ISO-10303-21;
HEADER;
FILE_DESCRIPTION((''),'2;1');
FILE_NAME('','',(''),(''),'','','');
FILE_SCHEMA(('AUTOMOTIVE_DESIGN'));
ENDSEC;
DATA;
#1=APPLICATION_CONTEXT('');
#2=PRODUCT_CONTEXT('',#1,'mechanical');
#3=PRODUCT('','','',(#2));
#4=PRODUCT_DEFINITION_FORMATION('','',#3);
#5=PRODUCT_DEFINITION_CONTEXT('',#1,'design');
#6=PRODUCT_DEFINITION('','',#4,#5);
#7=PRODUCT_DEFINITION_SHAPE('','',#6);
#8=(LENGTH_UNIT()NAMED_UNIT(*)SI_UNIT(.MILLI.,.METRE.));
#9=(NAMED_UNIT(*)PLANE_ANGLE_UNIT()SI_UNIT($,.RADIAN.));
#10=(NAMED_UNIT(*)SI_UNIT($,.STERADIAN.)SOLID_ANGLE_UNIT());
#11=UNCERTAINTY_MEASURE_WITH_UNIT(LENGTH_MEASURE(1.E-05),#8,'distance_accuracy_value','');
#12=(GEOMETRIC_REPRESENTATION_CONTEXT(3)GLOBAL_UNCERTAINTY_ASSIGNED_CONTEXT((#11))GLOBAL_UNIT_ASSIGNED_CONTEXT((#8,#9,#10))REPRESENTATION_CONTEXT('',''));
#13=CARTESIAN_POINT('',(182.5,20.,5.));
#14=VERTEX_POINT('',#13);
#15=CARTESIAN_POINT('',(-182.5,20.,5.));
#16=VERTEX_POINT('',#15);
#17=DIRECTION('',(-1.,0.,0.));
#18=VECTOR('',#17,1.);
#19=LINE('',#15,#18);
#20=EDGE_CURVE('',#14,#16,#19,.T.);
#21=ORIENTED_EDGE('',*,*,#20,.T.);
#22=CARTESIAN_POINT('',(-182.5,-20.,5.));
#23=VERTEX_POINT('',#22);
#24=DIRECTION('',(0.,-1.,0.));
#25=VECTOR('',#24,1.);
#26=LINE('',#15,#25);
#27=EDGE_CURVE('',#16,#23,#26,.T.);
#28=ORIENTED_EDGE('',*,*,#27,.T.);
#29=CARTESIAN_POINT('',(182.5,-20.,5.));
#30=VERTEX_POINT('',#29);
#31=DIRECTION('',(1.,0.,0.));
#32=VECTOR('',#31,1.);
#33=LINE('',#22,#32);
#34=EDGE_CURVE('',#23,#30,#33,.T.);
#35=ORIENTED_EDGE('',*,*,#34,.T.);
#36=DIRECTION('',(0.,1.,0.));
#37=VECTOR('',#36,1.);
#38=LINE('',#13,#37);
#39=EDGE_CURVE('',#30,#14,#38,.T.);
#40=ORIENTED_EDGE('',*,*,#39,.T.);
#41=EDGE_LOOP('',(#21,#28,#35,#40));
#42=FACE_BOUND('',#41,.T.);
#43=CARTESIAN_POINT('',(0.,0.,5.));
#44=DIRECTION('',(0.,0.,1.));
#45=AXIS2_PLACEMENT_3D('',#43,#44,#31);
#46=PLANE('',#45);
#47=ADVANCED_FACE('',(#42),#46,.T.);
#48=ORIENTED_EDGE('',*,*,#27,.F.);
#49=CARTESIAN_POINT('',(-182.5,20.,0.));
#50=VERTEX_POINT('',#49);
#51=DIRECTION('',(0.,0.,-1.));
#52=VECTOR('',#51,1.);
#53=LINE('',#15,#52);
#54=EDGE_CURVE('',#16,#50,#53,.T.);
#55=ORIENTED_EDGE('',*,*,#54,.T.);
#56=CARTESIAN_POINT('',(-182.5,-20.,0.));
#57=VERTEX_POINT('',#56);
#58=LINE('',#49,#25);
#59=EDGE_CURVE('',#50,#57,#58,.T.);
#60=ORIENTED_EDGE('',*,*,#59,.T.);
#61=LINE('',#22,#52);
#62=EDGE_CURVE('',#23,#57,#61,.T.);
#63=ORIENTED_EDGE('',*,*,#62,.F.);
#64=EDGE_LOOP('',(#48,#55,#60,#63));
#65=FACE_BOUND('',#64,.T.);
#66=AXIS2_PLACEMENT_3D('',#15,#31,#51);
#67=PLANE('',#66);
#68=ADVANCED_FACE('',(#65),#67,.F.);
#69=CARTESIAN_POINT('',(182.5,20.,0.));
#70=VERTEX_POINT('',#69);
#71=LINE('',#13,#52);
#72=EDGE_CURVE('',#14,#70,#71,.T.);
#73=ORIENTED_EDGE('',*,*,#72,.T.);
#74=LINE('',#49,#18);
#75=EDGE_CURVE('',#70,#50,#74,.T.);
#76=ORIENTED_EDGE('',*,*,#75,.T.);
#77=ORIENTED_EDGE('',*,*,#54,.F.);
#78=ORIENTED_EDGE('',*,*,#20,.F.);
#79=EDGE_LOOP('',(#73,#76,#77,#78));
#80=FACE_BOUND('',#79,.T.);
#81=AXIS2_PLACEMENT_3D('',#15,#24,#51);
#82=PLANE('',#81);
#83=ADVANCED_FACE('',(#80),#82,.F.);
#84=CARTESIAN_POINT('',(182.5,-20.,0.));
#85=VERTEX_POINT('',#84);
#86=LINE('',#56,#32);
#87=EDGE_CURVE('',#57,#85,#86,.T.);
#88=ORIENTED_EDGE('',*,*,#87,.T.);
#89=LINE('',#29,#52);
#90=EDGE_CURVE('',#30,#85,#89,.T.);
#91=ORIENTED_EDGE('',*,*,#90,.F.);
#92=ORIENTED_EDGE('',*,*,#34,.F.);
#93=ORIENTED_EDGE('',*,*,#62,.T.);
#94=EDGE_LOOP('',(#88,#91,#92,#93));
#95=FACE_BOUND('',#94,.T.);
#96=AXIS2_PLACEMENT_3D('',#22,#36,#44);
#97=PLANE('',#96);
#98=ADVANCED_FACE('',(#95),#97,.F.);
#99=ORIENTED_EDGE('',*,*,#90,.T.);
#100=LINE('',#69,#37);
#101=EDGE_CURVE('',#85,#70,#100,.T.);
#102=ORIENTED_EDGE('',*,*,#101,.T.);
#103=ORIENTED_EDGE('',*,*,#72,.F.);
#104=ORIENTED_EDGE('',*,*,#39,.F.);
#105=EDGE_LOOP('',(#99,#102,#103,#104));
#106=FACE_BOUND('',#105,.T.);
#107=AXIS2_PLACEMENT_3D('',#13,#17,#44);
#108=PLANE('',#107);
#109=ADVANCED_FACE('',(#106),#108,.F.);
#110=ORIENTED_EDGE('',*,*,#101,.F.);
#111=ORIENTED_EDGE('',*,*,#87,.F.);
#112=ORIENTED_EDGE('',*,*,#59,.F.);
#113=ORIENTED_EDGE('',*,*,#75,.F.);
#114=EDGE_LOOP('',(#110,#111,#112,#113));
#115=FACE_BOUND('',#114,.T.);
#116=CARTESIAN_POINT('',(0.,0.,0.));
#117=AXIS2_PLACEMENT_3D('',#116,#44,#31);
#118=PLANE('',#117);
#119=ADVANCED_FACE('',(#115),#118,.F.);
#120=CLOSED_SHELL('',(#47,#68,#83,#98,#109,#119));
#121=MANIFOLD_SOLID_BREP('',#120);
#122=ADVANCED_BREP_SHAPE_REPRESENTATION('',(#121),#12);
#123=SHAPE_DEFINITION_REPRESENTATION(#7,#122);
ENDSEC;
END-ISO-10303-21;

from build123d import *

# Parameters (mm, degrees)
ESQUISSE1_W        = 365
ESQUISSE1_H        = 40
BOSS_EXTRU_1_DEPTH = 5


with BuildPart() as part:
    # Esquisse1 → Boss.-Extru.1 (new body)
    with BuildSketch(Plane.XY):
        Rectangle(ESQUISSE1_W, ESQUISSE1_H)
    extrude(amount=BOSS_EXTRU_1_DEPTH)


solid = part.part
